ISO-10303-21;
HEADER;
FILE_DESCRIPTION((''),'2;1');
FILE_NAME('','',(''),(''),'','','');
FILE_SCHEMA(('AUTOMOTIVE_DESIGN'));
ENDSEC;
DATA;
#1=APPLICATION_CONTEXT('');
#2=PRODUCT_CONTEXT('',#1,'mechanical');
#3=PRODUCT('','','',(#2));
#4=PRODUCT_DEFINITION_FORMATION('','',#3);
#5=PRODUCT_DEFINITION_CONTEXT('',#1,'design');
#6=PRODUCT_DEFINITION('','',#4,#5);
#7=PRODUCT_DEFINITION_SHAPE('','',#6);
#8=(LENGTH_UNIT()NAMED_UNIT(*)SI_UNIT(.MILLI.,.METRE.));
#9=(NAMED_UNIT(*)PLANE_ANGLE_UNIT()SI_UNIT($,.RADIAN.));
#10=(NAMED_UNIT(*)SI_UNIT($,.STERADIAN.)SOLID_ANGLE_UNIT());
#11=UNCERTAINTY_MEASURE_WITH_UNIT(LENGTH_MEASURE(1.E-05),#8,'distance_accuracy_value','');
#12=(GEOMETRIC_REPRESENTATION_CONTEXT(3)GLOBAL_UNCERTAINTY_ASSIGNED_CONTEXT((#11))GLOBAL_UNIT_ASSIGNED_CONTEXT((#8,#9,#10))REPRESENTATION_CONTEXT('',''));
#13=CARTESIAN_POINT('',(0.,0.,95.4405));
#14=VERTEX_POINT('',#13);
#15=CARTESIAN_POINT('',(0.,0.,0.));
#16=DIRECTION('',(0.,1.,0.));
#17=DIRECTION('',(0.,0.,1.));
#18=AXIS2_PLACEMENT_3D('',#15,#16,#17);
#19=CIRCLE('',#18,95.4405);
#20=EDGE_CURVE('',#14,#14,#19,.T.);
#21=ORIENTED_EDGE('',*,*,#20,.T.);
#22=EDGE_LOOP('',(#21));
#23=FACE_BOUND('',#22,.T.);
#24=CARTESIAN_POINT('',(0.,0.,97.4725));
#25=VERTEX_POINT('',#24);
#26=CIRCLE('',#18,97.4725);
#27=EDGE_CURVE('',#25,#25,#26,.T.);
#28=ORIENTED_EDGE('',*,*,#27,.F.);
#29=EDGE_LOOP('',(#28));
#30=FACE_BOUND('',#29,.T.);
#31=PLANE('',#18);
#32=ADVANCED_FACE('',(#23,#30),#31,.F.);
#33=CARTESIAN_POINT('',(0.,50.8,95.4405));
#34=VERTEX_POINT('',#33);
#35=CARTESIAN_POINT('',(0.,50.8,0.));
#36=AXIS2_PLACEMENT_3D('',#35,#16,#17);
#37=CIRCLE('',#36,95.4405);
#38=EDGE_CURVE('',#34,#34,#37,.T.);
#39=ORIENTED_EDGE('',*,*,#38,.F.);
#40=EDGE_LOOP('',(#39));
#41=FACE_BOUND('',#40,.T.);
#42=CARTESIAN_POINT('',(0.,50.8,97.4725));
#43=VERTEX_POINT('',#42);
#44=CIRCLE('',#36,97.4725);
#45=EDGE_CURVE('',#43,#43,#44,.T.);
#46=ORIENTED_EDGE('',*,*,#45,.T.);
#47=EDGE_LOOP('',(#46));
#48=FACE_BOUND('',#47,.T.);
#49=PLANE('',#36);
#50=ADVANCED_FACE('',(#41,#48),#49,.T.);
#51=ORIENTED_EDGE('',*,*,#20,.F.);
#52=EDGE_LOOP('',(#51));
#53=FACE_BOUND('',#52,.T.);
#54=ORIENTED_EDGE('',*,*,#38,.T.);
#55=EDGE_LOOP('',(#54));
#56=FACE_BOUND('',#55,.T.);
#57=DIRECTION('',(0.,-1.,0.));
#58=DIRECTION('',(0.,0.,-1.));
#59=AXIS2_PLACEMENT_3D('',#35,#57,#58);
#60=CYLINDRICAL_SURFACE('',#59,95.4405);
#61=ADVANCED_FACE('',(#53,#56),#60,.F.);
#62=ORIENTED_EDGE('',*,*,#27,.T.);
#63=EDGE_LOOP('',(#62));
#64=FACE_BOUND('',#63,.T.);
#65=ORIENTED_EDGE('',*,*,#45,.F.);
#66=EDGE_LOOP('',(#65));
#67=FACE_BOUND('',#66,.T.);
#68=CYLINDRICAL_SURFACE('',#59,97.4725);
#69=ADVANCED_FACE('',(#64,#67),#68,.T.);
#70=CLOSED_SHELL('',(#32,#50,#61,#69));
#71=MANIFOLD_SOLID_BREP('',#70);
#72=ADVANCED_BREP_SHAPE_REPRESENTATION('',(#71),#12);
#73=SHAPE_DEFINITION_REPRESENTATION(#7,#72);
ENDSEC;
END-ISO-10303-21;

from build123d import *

# Parameters (mm, degrees)
SKETCH1_R           = 97.4725
SKETCH1_R_2         = 95.4405
BOSS_EXTRUDE1_DEPTH = 50.8


with BuildPart() as part:
    # Sketch1 → Boss-Extrude1 (new body)
    with BuildSketch(Plane(origin=(0, 0, 0), x_dir=(1, 0, 0), z_dir=(0, 1, 0))):
        Circle(SKETCH1_R)
        Circle(SKETCH1_R_2, mode=Mode.SUBTRACT)
    extrude(amount=BOSS_EXTRUDE1_DEPTH)


solid = part.part
